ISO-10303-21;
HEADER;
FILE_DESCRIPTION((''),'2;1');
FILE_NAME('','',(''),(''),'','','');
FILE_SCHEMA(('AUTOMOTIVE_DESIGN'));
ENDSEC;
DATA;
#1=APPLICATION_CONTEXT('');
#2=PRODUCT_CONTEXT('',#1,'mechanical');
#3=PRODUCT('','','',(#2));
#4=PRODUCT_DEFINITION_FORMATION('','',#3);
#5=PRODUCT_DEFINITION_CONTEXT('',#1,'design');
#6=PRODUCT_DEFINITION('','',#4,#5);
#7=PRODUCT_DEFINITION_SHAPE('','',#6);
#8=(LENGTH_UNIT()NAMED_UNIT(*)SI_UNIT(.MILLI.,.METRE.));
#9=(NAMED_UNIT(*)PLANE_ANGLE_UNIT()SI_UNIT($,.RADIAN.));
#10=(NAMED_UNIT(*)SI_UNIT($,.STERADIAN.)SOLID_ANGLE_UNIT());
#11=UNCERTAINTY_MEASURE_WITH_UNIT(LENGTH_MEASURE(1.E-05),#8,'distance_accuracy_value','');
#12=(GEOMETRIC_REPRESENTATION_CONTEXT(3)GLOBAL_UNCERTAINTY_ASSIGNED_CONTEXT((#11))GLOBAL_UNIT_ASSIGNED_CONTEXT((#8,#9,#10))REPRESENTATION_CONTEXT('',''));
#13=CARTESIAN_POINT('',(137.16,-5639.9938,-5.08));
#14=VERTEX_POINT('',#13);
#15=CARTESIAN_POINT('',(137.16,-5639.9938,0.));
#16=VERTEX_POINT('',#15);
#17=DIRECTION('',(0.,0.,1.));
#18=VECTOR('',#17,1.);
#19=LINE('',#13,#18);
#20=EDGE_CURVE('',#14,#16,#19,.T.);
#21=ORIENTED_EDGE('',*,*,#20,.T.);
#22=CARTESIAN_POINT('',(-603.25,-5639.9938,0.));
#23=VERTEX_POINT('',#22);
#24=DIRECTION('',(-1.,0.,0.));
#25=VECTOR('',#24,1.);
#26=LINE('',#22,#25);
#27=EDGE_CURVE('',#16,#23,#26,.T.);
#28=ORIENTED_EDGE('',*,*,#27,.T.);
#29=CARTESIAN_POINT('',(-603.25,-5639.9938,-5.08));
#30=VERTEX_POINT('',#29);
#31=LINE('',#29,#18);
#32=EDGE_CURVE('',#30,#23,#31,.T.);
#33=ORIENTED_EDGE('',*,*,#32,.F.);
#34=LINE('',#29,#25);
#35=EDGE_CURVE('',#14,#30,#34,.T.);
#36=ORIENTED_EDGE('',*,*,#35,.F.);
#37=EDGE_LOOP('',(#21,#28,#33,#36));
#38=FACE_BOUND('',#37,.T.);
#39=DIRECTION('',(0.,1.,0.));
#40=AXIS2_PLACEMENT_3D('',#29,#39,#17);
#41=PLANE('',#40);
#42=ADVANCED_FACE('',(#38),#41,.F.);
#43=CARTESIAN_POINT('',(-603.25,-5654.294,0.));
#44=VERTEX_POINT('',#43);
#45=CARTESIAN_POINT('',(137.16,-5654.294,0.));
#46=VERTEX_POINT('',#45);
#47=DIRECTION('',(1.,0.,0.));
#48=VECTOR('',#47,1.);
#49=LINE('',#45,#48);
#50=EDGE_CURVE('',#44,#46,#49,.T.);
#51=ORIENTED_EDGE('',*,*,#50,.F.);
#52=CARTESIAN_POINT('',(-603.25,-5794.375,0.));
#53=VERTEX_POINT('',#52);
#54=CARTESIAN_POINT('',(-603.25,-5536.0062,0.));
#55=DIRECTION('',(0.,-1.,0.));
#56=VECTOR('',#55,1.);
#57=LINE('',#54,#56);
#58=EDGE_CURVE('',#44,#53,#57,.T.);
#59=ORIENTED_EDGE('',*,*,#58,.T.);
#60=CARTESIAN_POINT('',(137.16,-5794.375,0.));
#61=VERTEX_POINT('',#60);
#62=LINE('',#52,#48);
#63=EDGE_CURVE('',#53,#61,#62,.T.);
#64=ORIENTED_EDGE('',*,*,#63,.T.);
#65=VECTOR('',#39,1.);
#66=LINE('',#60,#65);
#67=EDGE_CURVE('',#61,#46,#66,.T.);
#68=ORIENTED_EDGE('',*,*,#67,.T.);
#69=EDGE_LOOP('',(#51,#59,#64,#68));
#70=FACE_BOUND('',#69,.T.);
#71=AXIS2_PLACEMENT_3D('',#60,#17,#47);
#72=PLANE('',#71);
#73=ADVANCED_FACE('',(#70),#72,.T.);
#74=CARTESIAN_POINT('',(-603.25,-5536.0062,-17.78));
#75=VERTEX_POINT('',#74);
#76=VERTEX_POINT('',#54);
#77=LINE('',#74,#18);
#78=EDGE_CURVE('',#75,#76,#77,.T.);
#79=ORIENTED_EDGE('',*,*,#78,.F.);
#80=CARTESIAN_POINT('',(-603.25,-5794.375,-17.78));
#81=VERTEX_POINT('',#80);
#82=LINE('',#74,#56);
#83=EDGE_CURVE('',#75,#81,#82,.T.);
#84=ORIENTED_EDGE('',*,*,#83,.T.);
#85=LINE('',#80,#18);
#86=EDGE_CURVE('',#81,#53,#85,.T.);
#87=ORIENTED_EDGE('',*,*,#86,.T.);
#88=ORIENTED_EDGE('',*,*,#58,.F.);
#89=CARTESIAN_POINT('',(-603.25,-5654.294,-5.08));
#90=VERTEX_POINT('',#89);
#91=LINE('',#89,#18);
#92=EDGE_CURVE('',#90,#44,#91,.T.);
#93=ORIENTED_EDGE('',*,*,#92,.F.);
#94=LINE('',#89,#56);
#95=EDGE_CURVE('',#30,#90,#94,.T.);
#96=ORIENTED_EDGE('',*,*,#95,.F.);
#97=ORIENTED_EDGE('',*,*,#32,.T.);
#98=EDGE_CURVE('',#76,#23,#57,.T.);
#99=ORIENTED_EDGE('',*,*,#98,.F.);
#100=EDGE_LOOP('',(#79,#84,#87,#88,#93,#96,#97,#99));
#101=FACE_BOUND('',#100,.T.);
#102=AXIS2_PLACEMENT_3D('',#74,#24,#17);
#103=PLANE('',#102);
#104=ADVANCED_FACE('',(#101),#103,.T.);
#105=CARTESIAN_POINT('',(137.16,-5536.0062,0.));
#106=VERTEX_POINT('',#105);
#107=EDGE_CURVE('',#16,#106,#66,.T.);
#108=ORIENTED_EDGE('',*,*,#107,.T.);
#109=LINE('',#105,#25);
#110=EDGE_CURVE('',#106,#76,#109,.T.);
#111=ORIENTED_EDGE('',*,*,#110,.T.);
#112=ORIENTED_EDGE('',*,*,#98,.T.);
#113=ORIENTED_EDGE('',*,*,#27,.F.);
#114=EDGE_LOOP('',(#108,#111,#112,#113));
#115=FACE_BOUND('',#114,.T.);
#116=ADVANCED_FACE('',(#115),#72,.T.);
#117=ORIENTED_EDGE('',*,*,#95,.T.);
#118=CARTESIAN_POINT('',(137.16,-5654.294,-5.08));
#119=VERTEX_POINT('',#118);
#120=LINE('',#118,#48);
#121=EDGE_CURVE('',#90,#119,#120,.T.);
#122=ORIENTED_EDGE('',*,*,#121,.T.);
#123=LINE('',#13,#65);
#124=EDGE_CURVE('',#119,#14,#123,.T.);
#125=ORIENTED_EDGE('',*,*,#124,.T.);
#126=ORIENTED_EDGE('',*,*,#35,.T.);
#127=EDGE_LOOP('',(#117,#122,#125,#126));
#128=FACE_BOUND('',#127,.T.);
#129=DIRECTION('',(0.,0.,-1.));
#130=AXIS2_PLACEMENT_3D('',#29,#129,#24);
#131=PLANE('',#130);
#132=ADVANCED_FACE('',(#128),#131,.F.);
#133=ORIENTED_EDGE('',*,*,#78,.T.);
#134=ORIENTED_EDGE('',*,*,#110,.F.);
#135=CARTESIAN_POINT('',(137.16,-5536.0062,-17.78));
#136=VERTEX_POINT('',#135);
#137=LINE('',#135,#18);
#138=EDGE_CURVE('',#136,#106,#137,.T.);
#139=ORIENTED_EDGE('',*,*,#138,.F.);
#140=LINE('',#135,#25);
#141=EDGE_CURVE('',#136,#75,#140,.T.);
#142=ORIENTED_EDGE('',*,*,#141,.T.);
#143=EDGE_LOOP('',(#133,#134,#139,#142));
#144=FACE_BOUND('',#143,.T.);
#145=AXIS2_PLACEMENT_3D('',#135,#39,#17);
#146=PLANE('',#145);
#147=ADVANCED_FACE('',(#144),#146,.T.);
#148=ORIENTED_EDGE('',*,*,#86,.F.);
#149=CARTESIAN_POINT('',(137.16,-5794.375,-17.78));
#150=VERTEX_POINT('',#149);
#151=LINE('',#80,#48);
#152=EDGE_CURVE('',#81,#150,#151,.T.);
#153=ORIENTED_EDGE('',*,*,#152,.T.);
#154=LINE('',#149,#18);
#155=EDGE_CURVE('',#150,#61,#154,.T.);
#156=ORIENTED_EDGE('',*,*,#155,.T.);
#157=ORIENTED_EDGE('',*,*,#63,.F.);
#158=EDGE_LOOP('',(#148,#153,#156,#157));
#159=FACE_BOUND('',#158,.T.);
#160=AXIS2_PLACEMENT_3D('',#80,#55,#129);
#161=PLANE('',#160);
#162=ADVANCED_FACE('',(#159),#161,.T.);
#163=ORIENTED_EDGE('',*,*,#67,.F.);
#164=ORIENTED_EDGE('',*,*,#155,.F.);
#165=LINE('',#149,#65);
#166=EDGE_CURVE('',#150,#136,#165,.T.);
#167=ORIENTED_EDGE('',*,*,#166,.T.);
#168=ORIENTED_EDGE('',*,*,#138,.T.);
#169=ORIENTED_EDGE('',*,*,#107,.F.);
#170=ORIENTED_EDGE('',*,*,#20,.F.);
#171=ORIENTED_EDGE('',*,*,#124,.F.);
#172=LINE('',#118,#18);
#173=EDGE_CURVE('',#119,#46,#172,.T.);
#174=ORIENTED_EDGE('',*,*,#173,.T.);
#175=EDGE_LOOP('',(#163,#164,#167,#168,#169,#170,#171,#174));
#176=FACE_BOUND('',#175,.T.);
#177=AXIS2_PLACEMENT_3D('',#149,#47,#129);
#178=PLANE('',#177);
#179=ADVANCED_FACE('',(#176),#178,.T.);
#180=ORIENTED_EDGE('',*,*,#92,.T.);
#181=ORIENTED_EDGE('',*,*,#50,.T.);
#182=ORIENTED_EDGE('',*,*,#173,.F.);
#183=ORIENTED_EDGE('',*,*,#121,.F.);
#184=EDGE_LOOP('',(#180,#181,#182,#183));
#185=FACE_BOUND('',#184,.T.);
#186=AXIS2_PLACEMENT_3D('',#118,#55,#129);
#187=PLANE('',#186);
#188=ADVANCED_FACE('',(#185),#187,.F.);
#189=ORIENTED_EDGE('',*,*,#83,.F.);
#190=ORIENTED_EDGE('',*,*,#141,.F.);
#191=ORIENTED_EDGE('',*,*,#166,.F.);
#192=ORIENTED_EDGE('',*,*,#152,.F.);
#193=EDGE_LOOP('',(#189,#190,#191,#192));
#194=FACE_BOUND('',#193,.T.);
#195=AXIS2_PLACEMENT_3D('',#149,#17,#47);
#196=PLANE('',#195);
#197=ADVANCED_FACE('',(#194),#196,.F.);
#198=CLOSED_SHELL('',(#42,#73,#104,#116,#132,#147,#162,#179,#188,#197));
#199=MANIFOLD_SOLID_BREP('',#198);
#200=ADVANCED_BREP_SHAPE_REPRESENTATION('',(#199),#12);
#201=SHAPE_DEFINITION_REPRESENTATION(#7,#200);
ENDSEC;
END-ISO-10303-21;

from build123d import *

# Parameters (mm, degrees)
HEADTOPOUTLINE_W                = 740.41
HEADTOPOUTLINE_H                = 258.3688
HEADTOPOUTLINE_THICKNESS_DEPTH  = 17.78
HEADTOP_DISPLAYSLOT_W           = 740.41
HEADTOP_DISPLAYSLOT_H           = 14.3002
HEADTOP_DISPLAYSLOT_DEPTH_DEPTH = 5.08


with BuildPart() as part:
    # HeadTopOutline → HeadTopOutline_Thickness (new body)
    with BuildSketch(Plane.XY):
        with Locations((-233.045, -5665.1906)):
            Rectangle(HEADTOPOUTLINE_W, HEADTOPOUTLINE_H)
    extrude(amount=-HEADTOPOUTLINE_THICKNESS_DEPTH)

    # HeadTop_DisplaySlot → HeadTop_DisplaySlot_Depth (cut)
    with BuildSketch(Plane.XY):
        with Locations((-233.045, -5647.1439)):
            Rectangle(HEADTOP_DISPLAYSLOT_W, HEADTOP_DISPLAYSLOT_H)
    extrude(amount=-HEADTOP_DISPLAYSLOT_DEPTH_DEPTH, mode=Mode.SUBTRACT)


solid = part.part
